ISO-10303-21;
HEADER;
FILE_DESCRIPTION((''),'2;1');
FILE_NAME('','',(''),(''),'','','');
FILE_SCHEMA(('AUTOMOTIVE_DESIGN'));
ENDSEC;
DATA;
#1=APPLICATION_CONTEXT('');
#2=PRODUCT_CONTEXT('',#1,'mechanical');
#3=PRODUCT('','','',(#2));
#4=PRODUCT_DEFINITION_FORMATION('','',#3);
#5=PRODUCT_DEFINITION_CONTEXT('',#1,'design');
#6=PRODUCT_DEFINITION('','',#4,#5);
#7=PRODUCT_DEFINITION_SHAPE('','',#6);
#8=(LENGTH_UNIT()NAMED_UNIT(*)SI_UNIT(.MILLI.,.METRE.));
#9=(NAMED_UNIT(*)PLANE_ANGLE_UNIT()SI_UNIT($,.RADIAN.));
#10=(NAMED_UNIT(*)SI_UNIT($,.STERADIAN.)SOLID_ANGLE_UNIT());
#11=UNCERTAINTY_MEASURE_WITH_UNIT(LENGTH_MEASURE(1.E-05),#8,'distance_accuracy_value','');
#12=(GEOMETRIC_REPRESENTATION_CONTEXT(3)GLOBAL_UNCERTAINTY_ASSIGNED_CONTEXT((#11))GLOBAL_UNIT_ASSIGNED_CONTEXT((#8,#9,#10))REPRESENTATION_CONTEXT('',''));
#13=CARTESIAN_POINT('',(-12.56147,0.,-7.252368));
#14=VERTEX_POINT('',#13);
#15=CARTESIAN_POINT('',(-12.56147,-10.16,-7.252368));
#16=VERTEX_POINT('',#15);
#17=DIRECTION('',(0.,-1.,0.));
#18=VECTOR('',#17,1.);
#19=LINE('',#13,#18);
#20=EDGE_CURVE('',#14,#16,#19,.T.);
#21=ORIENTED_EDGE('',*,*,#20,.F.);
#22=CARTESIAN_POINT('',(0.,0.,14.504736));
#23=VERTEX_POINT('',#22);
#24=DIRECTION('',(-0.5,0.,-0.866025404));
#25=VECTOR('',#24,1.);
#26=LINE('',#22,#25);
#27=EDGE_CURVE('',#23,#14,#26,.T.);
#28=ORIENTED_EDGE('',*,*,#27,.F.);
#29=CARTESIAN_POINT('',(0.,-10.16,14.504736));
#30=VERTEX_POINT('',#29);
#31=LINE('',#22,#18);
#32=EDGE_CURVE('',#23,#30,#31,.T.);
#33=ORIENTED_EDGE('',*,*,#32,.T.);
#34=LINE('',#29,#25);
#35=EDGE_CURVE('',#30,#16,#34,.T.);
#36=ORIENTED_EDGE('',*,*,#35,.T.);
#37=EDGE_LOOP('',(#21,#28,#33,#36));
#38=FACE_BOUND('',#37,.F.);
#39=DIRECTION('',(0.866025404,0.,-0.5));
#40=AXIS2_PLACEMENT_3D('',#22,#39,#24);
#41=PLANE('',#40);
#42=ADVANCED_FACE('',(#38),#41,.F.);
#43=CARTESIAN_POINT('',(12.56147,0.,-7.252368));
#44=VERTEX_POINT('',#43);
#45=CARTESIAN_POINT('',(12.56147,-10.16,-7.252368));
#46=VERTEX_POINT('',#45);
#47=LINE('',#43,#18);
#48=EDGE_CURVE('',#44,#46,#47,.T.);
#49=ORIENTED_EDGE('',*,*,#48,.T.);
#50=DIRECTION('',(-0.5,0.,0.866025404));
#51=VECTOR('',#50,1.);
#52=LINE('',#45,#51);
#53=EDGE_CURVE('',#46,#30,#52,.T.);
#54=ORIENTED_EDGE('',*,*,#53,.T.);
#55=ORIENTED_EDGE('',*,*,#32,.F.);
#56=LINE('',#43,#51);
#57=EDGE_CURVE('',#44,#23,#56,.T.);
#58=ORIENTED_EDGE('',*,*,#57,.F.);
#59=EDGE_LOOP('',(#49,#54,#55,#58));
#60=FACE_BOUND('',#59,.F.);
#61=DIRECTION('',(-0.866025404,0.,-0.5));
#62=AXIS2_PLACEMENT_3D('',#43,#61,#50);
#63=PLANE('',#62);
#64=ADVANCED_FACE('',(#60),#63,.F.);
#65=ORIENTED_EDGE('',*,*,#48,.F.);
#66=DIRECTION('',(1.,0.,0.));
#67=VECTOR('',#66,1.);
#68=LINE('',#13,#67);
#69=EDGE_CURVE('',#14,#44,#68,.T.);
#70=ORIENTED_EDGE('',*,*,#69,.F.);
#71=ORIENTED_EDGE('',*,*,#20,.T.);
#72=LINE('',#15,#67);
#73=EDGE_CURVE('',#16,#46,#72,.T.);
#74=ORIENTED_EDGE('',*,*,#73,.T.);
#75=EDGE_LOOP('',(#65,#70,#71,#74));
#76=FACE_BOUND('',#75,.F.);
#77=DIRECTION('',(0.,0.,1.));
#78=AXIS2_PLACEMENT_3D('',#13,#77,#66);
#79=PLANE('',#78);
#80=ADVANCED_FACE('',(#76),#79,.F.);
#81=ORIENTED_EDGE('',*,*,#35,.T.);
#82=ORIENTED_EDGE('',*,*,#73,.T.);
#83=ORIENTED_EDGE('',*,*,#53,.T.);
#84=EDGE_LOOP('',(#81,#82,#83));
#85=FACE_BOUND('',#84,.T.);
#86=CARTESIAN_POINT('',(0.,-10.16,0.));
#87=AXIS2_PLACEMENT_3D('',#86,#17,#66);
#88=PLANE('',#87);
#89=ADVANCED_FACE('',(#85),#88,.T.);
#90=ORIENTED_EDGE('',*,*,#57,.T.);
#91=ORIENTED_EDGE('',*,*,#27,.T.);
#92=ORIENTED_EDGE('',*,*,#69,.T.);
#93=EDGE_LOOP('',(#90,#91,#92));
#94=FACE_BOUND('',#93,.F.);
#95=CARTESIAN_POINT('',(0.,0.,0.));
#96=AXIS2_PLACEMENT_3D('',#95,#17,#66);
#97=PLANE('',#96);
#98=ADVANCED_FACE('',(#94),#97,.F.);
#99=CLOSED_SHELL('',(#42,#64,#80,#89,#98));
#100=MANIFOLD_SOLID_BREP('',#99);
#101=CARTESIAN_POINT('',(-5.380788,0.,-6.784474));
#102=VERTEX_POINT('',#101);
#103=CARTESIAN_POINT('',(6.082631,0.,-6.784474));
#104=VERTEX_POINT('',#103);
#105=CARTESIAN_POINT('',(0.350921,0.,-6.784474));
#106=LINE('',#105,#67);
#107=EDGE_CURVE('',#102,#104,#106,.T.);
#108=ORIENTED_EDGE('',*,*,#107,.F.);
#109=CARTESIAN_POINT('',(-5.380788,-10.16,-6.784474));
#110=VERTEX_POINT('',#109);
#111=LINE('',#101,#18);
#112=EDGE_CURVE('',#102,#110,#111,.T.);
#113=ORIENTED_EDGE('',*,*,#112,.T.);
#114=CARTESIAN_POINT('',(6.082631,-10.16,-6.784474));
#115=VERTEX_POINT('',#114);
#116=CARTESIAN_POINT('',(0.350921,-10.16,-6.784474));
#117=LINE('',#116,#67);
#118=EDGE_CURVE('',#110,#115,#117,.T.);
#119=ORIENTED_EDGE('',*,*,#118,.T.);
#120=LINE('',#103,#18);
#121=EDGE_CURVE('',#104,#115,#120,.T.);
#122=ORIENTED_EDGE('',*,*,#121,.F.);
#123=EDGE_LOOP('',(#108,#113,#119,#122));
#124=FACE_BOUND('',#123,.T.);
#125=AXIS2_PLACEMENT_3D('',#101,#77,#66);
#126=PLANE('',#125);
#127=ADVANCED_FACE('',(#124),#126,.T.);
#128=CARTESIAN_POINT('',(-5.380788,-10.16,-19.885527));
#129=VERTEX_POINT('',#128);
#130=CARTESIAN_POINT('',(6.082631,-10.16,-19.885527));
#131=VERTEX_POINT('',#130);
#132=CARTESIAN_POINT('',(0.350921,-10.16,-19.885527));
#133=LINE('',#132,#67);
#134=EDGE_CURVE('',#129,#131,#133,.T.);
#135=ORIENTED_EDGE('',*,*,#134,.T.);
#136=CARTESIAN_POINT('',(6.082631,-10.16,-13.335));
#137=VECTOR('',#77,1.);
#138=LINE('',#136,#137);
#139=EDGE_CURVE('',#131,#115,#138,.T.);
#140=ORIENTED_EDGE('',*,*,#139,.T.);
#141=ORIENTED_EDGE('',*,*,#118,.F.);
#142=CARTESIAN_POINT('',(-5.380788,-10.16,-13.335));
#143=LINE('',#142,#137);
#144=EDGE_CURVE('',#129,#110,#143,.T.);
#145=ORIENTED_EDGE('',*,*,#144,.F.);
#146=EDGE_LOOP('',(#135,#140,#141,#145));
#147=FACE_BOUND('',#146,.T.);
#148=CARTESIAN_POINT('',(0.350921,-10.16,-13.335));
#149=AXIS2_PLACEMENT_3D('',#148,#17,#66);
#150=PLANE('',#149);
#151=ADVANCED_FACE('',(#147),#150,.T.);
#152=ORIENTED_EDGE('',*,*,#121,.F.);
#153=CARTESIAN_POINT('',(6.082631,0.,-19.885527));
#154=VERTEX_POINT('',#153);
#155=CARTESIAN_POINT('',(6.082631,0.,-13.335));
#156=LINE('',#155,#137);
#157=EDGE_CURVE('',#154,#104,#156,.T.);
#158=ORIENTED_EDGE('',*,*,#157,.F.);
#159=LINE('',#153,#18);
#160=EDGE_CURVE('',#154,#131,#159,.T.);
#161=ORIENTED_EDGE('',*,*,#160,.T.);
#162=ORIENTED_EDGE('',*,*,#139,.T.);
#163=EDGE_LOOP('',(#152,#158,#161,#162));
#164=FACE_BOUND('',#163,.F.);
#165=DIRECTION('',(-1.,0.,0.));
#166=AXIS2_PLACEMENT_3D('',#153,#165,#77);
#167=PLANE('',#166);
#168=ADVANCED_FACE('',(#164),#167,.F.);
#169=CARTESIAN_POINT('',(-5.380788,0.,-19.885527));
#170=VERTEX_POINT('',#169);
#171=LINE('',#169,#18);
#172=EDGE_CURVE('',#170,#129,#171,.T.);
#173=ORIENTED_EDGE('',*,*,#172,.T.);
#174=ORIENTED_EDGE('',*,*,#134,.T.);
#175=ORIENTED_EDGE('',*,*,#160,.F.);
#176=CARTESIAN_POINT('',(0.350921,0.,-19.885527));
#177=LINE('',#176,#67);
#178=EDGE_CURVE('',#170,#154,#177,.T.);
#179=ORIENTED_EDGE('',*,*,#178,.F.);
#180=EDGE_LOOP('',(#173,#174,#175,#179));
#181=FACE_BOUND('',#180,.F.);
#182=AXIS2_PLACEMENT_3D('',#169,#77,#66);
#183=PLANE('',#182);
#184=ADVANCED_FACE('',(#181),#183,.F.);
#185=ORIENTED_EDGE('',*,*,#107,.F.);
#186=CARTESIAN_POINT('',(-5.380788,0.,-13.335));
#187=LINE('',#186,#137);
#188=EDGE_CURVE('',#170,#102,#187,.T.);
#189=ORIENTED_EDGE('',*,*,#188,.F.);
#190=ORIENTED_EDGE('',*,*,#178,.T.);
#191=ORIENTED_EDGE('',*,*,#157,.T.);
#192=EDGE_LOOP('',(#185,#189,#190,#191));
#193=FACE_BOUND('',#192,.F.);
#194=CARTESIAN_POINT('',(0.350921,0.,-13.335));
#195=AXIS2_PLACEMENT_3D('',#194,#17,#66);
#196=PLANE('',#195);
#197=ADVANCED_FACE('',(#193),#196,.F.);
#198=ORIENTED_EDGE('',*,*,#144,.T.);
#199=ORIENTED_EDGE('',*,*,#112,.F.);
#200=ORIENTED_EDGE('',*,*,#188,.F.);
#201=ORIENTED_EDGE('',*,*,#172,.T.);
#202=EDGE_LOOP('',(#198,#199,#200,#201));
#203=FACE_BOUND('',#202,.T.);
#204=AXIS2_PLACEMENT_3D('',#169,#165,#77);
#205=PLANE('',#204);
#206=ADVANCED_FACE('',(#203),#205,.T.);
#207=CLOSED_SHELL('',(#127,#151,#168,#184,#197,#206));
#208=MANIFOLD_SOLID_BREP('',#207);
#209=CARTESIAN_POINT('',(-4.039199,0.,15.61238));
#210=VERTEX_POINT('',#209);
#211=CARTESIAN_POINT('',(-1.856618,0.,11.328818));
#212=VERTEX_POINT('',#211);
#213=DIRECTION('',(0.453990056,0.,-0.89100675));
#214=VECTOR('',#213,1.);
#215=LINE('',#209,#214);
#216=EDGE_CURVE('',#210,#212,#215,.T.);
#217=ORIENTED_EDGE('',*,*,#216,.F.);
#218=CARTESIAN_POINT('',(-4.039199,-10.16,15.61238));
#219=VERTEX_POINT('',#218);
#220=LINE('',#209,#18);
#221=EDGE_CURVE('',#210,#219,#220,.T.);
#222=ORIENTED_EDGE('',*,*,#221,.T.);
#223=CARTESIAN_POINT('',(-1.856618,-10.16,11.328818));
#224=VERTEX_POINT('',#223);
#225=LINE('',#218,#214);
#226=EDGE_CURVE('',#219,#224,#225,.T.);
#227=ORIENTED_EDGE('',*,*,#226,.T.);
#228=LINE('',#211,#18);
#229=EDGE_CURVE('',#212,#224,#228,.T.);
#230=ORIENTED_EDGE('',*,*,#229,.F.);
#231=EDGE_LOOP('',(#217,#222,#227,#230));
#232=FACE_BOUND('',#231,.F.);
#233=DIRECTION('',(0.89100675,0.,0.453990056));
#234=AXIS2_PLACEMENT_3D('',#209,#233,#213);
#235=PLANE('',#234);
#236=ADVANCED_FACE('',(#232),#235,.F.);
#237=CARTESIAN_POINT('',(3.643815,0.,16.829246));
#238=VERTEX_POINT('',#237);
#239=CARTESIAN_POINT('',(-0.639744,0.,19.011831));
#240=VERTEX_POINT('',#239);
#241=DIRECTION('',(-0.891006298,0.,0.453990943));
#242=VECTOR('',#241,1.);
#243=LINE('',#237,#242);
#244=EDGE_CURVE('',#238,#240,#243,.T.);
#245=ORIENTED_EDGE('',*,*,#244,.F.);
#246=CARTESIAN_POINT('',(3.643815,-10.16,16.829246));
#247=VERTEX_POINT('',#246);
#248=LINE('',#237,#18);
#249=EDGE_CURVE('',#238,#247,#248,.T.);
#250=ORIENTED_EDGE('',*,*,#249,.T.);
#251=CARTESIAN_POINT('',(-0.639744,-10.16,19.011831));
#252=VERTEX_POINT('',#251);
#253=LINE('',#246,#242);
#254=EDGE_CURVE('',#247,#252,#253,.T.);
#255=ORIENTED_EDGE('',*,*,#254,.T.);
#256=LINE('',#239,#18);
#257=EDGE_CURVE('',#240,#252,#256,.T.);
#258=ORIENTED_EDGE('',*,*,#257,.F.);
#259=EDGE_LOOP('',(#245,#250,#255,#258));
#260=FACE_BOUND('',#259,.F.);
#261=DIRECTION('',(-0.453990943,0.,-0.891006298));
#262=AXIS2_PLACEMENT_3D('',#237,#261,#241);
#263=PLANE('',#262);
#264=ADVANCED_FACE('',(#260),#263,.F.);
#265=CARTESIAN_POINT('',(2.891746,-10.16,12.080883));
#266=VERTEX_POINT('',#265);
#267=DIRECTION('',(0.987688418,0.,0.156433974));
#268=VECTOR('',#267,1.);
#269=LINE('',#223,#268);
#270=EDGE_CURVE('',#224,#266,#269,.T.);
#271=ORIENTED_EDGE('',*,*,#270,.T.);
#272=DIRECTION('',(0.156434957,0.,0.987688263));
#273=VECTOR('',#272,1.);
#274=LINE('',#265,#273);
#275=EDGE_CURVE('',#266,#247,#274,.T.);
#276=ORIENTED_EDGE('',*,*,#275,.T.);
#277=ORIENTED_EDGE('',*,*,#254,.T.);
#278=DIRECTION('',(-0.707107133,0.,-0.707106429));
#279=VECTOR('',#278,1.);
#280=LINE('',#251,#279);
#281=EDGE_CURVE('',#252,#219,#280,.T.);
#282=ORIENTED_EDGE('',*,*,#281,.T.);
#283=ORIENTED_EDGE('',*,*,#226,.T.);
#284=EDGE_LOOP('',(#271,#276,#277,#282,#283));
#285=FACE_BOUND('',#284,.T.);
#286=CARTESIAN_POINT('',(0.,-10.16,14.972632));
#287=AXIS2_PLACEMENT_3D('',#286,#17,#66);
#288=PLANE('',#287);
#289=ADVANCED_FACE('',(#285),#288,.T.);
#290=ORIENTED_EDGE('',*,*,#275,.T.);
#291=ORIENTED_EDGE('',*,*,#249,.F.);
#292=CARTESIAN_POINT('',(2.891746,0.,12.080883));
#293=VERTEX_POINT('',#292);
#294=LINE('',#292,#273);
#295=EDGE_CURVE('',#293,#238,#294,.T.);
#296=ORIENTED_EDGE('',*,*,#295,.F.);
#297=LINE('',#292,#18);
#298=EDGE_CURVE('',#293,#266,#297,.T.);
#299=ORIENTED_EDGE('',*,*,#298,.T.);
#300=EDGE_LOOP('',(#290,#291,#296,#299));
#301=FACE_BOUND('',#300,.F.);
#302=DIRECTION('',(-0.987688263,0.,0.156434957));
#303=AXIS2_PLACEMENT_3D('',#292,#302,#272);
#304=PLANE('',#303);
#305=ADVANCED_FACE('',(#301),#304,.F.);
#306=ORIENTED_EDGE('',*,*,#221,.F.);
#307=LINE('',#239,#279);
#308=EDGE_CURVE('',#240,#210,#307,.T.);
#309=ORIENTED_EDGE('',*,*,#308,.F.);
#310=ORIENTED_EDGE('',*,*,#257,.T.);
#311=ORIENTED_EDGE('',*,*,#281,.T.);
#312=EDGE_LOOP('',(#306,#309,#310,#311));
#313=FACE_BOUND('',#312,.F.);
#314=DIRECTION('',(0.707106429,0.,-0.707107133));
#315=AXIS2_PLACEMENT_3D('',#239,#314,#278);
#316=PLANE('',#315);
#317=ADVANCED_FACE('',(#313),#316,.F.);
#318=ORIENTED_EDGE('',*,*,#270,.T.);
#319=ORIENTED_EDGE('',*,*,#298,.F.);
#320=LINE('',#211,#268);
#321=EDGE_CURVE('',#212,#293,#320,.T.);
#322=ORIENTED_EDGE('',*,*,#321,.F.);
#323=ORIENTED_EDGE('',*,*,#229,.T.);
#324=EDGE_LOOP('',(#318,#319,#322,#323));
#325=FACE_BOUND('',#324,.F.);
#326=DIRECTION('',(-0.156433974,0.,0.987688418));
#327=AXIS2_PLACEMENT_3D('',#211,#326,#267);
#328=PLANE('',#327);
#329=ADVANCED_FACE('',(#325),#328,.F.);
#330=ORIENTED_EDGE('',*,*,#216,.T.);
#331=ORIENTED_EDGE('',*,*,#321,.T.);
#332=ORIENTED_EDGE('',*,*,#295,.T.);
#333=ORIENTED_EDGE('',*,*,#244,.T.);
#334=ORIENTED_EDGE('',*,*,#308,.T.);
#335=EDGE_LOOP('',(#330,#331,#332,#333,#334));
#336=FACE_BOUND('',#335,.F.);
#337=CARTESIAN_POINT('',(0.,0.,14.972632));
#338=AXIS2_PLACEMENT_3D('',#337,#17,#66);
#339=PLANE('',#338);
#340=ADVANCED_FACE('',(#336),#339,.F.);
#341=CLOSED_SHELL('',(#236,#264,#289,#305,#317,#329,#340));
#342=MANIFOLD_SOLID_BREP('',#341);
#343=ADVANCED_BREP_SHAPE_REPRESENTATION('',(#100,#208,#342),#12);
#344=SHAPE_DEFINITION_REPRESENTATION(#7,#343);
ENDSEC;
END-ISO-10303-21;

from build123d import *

# Parameters (mm, degrees)
F1_W     = 11.4634186029
F1_H     = 13.1010534242
F3_DEPTH = 10.16


with BuildPart() as f3:
    # F1 (on Front) → F3 (new body)
    with BuildSketch(Plane.XZ):
        with Locations((0.3509214148, -13.3350002579)):
            Rectangle(F1_W, F1_H)
    extrude(amount=F3_DEPTH)


with BuildPart() as f3b:
    # F2 (on Front) → F3, piece 2 (new body)
    with BuildSketch(Plane.XZ):
        Polygon((-0.6397442972, 19.0118313535), (-4.0391988973, 15.6123801366), (-1.8566179087, 11.3288184898), (2.8917459256, 12.080883016), (3.6438151775, 16.8292461018), align=None)
    extrude(amount=F3_DEPTH)


with BuildPart() as f3c:
    # F0 (on Front) → F3, piece 3 (new body)
    with BuildSketch(Plane.XZ):
        Polygon((-12.5614701018, -7.2523681447), (12.5614701018, -7.2523681447), (0, 14.5047362894), align=None)
    extrude(amount=F3_DEPTH)


solid = Compound([f3.part, f3b.part, f3c.part])
